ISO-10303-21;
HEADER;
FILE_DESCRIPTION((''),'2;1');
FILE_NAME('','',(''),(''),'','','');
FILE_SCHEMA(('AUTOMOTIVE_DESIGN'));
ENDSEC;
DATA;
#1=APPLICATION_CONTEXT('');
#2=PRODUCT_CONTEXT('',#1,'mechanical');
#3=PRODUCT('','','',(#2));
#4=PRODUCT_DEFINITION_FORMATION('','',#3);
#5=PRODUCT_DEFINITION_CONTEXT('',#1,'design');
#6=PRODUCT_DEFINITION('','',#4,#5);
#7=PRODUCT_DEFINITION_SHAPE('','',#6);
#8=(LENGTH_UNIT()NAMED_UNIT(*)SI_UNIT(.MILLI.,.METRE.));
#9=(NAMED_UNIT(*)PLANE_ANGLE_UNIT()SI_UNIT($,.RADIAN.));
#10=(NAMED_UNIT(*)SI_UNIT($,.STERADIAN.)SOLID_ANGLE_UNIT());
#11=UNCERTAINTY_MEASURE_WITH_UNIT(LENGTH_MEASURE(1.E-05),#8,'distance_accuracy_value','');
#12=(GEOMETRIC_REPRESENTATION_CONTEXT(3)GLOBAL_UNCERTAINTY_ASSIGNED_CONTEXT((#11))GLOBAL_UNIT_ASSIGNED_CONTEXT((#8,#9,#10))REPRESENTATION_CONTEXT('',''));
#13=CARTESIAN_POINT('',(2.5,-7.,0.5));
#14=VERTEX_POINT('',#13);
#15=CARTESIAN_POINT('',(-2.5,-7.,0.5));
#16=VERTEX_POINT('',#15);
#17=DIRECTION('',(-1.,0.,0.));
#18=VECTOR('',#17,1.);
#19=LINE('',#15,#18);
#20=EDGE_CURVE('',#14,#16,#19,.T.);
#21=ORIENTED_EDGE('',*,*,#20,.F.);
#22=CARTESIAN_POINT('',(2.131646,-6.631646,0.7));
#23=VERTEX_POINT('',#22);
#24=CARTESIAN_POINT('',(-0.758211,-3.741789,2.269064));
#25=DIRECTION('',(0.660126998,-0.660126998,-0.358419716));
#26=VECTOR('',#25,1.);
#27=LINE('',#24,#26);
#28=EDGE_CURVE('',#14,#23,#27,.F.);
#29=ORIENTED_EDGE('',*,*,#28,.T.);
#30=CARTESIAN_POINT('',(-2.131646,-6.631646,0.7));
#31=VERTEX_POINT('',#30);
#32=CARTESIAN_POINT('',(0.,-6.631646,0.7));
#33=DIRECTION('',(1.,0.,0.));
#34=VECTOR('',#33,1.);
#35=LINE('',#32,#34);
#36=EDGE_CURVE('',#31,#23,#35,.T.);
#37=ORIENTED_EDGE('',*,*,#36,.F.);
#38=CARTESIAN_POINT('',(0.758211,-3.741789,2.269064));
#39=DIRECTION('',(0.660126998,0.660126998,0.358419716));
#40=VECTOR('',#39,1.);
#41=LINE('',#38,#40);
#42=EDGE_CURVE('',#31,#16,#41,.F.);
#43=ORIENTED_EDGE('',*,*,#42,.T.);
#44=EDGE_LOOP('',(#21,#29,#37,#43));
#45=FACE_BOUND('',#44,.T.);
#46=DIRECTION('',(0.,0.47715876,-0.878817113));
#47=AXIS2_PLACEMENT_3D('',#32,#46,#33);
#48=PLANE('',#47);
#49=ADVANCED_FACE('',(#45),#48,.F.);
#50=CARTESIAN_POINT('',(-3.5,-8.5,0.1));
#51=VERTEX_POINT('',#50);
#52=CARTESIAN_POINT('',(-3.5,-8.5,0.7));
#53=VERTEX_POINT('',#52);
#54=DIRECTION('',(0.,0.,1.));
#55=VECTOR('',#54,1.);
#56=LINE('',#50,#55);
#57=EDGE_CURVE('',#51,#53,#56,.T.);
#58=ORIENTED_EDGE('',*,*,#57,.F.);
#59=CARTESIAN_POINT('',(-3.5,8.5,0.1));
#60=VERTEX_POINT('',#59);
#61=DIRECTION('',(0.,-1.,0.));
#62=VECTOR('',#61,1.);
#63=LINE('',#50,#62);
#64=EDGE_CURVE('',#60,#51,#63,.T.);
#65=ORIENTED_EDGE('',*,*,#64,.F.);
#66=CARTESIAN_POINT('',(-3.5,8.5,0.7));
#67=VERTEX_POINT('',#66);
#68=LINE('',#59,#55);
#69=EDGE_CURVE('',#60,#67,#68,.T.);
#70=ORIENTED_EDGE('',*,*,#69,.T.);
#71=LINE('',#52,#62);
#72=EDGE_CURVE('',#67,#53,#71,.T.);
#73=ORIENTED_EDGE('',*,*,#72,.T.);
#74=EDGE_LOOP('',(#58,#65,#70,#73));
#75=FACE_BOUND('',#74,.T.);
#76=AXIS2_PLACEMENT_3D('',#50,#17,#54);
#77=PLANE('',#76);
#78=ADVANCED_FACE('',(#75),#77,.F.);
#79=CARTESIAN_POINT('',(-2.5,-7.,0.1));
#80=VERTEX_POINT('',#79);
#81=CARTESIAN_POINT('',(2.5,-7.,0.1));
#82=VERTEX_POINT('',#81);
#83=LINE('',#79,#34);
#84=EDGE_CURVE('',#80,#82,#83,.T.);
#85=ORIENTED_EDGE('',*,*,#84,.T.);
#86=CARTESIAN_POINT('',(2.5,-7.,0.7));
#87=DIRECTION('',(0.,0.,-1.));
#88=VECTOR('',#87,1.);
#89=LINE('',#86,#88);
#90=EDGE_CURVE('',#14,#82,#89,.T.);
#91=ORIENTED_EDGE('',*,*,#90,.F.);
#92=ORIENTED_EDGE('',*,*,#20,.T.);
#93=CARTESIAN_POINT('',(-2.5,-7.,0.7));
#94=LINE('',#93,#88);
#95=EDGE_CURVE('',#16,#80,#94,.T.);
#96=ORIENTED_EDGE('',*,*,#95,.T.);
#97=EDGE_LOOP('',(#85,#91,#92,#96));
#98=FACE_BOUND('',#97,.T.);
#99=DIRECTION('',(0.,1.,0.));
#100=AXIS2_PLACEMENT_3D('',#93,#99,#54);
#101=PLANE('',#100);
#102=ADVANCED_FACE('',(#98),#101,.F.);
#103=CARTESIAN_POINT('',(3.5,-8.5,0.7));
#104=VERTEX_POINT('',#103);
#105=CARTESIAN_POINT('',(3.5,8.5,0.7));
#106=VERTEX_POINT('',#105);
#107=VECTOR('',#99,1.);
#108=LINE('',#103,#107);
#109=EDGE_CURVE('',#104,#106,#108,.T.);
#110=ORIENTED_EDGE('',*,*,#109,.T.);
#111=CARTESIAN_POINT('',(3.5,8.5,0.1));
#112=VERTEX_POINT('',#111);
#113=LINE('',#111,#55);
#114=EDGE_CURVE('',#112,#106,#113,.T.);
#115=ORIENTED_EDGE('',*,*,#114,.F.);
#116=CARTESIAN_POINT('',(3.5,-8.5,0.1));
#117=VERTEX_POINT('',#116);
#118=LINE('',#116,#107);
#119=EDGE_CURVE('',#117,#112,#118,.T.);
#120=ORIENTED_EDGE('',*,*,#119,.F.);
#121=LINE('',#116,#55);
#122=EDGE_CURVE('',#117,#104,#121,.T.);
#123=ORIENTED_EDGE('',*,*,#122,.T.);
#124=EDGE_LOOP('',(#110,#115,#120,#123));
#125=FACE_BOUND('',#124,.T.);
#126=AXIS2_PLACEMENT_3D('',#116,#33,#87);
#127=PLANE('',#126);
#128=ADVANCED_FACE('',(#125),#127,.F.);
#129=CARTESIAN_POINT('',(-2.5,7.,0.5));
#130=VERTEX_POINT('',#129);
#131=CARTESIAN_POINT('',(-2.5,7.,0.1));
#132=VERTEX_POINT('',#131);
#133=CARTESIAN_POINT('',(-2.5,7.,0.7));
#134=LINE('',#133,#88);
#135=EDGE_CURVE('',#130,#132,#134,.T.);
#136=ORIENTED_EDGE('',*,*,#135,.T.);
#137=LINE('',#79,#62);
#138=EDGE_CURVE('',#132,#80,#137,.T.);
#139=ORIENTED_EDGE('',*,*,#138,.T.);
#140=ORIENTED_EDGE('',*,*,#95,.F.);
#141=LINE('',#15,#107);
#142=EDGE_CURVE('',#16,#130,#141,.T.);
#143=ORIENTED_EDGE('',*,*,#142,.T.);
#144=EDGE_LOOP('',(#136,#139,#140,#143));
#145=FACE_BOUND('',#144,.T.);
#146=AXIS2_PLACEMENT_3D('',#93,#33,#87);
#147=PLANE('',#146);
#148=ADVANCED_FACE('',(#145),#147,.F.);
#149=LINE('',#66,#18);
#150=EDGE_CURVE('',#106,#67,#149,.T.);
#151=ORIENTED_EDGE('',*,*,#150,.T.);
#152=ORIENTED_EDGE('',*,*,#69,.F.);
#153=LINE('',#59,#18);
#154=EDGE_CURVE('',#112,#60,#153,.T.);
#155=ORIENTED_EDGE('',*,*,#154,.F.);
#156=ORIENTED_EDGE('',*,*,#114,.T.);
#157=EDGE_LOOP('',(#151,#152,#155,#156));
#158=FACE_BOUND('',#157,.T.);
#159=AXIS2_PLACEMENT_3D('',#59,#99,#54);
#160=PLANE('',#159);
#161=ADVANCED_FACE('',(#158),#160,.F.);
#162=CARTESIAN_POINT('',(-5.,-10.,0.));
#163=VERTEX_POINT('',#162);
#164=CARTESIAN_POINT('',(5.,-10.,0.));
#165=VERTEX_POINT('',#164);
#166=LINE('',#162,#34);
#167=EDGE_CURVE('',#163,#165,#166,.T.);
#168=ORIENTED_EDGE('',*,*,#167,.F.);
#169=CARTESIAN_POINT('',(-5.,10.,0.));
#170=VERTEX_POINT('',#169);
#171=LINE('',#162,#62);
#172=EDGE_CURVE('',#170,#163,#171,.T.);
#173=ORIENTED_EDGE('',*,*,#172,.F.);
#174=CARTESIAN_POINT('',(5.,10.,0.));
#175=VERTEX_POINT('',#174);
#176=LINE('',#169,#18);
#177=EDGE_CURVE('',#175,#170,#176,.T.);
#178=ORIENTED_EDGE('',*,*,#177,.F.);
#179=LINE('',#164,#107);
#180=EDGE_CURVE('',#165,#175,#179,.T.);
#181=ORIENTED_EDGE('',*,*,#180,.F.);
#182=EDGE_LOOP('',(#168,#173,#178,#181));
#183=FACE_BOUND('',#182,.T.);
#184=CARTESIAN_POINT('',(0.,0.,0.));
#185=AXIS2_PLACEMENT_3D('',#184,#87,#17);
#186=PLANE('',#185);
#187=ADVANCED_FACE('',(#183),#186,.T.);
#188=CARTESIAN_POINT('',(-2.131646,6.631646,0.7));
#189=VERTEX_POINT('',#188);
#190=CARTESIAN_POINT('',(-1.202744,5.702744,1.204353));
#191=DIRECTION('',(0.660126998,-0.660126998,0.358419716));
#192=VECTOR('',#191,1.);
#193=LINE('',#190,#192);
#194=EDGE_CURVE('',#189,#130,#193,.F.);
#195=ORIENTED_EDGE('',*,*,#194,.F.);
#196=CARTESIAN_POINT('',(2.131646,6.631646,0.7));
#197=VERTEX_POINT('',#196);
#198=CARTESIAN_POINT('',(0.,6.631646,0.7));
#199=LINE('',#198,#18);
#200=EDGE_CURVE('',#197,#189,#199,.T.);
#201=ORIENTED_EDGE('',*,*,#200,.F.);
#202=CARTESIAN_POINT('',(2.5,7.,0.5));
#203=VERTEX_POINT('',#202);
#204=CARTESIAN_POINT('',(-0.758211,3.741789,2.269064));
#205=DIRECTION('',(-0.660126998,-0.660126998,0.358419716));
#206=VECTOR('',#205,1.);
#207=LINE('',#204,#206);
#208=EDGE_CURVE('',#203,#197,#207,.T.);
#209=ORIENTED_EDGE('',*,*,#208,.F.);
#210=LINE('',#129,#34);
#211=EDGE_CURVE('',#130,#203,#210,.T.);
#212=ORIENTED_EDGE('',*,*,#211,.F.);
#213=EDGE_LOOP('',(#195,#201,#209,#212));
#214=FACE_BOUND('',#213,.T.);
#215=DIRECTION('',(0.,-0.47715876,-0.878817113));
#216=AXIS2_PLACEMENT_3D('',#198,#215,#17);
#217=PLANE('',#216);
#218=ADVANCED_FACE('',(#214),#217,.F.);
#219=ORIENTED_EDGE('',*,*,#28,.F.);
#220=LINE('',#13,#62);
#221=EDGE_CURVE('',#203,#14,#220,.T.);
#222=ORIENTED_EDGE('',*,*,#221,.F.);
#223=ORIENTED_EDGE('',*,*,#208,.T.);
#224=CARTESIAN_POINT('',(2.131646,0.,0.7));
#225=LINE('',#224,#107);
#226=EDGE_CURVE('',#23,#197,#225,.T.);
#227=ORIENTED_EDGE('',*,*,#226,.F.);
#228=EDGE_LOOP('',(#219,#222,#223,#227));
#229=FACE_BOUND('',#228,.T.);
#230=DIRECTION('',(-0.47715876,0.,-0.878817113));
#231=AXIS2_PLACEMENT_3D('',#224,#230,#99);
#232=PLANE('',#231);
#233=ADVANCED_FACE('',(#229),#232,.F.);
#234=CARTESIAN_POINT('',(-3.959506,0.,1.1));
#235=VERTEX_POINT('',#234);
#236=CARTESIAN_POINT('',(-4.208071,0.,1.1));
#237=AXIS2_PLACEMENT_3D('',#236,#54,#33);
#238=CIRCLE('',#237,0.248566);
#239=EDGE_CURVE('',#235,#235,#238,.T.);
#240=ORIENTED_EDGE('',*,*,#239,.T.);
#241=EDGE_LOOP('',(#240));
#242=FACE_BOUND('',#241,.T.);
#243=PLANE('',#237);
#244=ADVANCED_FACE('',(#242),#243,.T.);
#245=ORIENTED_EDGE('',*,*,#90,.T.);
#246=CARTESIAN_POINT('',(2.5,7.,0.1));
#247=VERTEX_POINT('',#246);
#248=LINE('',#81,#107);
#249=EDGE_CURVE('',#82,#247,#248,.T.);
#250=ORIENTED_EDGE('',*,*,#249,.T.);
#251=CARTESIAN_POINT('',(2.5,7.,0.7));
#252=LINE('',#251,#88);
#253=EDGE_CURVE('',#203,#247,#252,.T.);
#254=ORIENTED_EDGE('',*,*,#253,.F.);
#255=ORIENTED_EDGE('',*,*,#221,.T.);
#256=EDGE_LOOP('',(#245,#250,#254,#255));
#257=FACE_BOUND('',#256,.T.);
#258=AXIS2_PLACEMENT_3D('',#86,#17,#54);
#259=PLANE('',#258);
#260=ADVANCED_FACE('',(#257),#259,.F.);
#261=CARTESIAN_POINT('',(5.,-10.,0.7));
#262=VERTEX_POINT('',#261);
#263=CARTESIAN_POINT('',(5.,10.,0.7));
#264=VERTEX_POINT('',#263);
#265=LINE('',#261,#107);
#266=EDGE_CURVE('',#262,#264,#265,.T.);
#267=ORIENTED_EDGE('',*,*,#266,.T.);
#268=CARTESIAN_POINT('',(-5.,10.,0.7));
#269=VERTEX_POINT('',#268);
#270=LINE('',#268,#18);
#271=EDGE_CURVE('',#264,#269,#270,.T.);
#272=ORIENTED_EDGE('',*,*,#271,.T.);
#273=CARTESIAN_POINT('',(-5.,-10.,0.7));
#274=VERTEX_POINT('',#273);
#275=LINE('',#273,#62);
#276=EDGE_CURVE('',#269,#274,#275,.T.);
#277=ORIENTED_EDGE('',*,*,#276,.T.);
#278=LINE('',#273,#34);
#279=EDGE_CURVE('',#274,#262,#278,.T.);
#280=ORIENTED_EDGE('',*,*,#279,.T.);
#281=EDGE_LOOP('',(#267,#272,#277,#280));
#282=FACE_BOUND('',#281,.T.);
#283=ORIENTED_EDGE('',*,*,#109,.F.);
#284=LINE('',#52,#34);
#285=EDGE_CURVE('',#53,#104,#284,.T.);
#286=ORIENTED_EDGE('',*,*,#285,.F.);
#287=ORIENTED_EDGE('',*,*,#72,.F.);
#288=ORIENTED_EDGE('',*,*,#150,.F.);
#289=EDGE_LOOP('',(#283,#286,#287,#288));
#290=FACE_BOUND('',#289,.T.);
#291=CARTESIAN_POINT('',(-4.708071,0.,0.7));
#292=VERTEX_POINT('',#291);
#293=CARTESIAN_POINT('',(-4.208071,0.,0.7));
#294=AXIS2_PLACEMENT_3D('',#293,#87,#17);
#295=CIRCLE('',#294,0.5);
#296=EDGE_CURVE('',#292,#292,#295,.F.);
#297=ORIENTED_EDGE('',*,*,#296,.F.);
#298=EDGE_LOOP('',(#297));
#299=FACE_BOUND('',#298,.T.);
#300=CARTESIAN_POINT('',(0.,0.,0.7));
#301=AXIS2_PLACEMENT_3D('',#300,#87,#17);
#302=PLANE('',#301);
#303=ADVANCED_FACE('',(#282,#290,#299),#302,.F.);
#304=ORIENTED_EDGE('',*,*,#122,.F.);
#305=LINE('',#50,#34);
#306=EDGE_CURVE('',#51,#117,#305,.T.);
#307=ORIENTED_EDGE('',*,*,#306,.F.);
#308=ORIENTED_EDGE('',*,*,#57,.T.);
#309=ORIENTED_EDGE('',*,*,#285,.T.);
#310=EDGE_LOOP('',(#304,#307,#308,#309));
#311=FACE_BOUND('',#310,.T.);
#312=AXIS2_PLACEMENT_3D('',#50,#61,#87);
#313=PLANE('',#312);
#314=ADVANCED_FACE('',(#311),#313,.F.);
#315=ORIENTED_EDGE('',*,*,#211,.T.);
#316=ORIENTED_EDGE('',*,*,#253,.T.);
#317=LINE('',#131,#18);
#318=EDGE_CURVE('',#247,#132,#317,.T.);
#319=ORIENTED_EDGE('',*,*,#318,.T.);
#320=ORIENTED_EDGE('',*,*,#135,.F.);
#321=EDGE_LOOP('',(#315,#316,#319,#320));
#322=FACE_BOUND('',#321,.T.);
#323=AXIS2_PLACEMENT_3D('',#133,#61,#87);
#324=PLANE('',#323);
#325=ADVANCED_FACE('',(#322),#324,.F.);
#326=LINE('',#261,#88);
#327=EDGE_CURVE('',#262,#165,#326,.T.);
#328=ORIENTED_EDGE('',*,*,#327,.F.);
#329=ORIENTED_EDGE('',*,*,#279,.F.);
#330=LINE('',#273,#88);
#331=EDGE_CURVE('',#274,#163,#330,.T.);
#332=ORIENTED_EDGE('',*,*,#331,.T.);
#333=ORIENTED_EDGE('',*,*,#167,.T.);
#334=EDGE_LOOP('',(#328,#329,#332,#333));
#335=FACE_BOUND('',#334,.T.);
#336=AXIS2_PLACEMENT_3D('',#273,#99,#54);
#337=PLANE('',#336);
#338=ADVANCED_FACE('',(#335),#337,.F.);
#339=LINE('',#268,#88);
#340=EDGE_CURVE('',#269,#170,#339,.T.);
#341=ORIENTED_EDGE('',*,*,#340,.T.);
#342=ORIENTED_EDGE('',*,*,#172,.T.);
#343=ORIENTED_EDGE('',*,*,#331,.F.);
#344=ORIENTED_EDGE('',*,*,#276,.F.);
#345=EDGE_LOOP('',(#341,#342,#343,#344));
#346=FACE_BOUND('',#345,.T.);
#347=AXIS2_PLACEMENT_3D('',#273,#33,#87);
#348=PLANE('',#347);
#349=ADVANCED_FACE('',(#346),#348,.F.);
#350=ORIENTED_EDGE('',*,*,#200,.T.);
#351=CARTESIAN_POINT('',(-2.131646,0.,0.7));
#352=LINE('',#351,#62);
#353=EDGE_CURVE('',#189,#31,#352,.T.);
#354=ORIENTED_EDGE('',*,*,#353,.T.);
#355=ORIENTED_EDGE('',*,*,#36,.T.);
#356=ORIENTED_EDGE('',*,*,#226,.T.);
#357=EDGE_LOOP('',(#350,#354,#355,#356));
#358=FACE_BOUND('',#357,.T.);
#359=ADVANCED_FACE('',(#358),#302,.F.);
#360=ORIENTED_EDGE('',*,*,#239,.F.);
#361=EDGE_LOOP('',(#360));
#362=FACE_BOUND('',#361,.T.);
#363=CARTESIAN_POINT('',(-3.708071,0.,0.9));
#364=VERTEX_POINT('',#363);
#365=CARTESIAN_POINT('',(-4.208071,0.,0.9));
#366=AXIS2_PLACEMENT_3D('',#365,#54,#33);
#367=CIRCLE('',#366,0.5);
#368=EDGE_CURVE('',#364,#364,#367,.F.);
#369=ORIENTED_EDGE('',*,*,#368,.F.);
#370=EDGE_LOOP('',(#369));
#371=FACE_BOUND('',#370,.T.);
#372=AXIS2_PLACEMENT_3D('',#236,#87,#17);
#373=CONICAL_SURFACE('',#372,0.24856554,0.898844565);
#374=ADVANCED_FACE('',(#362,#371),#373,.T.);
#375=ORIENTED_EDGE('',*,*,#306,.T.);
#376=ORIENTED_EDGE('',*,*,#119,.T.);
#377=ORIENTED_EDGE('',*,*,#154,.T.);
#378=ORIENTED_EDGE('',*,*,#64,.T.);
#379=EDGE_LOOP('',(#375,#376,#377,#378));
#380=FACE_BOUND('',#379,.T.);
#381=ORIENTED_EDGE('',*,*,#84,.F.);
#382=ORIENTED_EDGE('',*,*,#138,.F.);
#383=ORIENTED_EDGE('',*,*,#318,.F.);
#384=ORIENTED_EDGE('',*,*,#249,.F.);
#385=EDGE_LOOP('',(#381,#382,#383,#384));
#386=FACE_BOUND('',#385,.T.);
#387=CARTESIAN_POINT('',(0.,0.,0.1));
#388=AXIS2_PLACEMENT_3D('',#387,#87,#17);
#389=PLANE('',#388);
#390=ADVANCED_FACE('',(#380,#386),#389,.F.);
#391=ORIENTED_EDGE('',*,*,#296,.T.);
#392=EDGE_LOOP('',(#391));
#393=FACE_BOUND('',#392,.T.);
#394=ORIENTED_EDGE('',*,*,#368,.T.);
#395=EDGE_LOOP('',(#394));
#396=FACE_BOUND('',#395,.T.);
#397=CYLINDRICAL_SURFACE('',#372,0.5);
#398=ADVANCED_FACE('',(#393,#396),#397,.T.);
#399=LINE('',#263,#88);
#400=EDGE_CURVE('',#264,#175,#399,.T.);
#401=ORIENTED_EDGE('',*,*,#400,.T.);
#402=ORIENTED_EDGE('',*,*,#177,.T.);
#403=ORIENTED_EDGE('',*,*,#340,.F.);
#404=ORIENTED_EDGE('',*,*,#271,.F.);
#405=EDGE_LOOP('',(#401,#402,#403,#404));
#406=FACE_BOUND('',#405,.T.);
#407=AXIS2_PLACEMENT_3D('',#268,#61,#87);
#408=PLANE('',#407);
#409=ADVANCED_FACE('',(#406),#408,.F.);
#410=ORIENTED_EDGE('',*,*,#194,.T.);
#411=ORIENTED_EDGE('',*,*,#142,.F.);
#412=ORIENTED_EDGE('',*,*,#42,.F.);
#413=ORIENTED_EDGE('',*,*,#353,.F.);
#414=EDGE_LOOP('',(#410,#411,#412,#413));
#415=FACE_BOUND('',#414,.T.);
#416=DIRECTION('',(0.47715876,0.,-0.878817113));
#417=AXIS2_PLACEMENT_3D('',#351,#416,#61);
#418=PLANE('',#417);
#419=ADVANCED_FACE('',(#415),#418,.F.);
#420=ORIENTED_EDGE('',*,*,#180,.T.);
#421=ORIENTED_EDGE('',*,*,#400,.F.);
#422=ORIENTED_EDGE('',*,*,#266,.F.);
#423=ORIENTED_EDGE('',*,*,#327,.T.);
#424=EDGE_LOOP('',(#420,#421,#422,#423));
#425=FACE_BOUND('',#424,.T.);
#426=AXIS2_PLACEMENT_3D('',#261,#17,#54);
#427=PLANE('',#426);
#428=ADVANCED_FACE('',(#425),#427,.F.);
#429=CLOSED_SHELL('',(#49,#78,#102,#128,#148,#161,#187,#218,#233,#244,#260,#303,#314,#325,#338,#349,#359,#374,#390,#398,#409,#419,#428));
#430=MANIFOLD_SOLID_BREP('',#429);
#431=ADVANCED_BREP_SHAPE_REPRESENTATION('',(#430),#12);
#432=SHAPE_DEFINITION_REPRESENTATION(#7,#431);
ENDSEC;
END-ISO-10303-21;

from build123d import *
from OCP.BRepFilletAPI import BRepFilletAPI_MakeChamfer

# Parameters (mm, degrees)
CROQUIS2_W              = 10
CROQUIS2_H              = 20
SALIENTE_EXTRUIR1_DEPTH = 0.7
CROQUIS3_W              = 7
CROQUIS3_H              = 17
CORTAR_EXTRUIR1_DEPTH   = 0.6
CROQUIS4_W              = 5
CROQUIS4_H              = 14
SALIENTE_EXTRUIR2_DEPTH = 0.6
CHAFL_N1_SIZE           = 0.2
CHAFL_N1_SIZE2          = 0.368354177
CROQUIS5_R              = 0.5
SALIENTE_EXTRUIR3_DEPTH = 0.4
CHAFL_N2_SIZE           = 0.2
CHAFL_N2_SIZE2          = 0.25143446


with BuildPart() as part:
    # Croquis2 → Saliente-Extruir1 (new body)
    with BuildSketch(Plane.XY):
        Rectangle(CROQUIS2_W, CROQUIS2_H)
    extrude(amount=SALIENTE_EXTRUIR1_DEPTH)

    # Croquis3 → Cortar-Extruir1 (cut)
    with BuildSketch(Plane.XY.offset(0.7)):
        Rectangle(CROQUIS3_W, CROQUIS3_H)
    extrude(amount=-CORTAR_EXTRUIR1_DEPTH, mode=Mode.SUBTRACT)

    # Croquis4 → Saliente-Extruir2 (add)
    with BuildSketch(Plane.XY.offset(0.1)):
        Rectangle(CROQUIS4_W, CROQUIS4_H)
    extrude(amount=SALIENTE_EXTRUIR2_DEPTH)

    # Chaflán1: one chamfer whose edges measure the first distance from different faces: ONE call of the kernel's chamfer builder (chamfer() names one face for all edges)
    chafl_n1_edges_1 = [part.edges().sort_by_distance(p)[0] for p in [
        (2.5, 0, 0.7),
    ]]
    chafl_n1_side_1 = [part.faces().sort_by_distance(p)[0] for p in [
        (2.5, 0, 0.4),
    ]]
    chafl_n1_edges_2 = [part.edges().sort_by_distance(p)[0] for p in [
        (0, 7, 0.7),
    ]]
    chafl_n1_side_2 = [part.faces().sort_by_distance(p)[0] for p in [
        (0, 7, 0.4),
    ]]
    chafl_n1_edges_3 = [part.edges().sort_by_distance(p)[0] for p in [
        (-2.5, 0, 0.7),
    ]]
    chafl_n1_side_3 = [part.faces().sort_by_distance(p)[0] for p in [
        (-2.5, 0, 0.4),
    ]]
    chafl_n1_edges_4 = [part.edges().sort_by_distance(p)[0] for p in [
        (0, -7, 0.7),
    ]]
    chafl_n1_side_4 = [part.faces().sort_by_distance(p)[0] for p in [
        (0, -7, 0.4),
    ]]
    chafl_n1 = BRepFilletAPI_MakeChamfer(part.part.solid().wrapped)
    for e in chafl_n1_edges_1:
        chafl_n1.Add(CHAFL_N1_SIZE, CHAFL_N1_SIZE2, e.wrapped, chafl_n1_side_1[0].wrapped)  # the first distance lies on this face
    for e in chafl_n1_edges_2:
        chafl_n1.Add(CHAFL_N1_SIZE, CHAFL_N1_SIZE2, e.wrapped, chafl_n1_side_2[0].wrapped)  # the first distance lies on this face
    for e in chafl_n1_edges_3:
        chafl_n1.Add(CHAFL_N1_SIZE, CHAFL_N1_SIZE2, e.wrapped, chafl_n1_side_3[0].wrapped)  # the first distance lies on this face
    for e in chafl_n1_edges_4:
        chafl_n1.Add(CHAFL_N1_SIZE, CHAFL_N1_SIZE2, e.wrapped, chafl_n1_side_4[0].wrapped)  # the first distance lies on this face
    add(Compound.cast(chafl_n1.Shape()), mode=Mode.REPLACE)

    # Croquis5 → Saliente-Extruir3 (add)
    with BuildSketch(Plane.XY.offset(0.7)):
        with Locations(Location((-4.208071118, 0, 0), (0, 0, 180))):
            Circle(CROQUIS5_R)
    extrude(amount=SALIENTE_EXTRUIR3_DEPTH)

    # Chaflán2
    chafl_n2_edges = [part.edges().sort_by_distance(p)[0] for p in [
        (-3.708071118, 0, 1.1),
    ]]
    chafl_n2_side = [part.faces().sort_by_distance(p)[0] for p in [
        (-3.708071118, 0, 0.9),
    ]]
    chamfer(chafl_n2_edges, length=CHAFL_N2_SIZE, length2=CHAFL_N2_SIZE2, reference=chafl_n2_side[0])


solid = part.part
